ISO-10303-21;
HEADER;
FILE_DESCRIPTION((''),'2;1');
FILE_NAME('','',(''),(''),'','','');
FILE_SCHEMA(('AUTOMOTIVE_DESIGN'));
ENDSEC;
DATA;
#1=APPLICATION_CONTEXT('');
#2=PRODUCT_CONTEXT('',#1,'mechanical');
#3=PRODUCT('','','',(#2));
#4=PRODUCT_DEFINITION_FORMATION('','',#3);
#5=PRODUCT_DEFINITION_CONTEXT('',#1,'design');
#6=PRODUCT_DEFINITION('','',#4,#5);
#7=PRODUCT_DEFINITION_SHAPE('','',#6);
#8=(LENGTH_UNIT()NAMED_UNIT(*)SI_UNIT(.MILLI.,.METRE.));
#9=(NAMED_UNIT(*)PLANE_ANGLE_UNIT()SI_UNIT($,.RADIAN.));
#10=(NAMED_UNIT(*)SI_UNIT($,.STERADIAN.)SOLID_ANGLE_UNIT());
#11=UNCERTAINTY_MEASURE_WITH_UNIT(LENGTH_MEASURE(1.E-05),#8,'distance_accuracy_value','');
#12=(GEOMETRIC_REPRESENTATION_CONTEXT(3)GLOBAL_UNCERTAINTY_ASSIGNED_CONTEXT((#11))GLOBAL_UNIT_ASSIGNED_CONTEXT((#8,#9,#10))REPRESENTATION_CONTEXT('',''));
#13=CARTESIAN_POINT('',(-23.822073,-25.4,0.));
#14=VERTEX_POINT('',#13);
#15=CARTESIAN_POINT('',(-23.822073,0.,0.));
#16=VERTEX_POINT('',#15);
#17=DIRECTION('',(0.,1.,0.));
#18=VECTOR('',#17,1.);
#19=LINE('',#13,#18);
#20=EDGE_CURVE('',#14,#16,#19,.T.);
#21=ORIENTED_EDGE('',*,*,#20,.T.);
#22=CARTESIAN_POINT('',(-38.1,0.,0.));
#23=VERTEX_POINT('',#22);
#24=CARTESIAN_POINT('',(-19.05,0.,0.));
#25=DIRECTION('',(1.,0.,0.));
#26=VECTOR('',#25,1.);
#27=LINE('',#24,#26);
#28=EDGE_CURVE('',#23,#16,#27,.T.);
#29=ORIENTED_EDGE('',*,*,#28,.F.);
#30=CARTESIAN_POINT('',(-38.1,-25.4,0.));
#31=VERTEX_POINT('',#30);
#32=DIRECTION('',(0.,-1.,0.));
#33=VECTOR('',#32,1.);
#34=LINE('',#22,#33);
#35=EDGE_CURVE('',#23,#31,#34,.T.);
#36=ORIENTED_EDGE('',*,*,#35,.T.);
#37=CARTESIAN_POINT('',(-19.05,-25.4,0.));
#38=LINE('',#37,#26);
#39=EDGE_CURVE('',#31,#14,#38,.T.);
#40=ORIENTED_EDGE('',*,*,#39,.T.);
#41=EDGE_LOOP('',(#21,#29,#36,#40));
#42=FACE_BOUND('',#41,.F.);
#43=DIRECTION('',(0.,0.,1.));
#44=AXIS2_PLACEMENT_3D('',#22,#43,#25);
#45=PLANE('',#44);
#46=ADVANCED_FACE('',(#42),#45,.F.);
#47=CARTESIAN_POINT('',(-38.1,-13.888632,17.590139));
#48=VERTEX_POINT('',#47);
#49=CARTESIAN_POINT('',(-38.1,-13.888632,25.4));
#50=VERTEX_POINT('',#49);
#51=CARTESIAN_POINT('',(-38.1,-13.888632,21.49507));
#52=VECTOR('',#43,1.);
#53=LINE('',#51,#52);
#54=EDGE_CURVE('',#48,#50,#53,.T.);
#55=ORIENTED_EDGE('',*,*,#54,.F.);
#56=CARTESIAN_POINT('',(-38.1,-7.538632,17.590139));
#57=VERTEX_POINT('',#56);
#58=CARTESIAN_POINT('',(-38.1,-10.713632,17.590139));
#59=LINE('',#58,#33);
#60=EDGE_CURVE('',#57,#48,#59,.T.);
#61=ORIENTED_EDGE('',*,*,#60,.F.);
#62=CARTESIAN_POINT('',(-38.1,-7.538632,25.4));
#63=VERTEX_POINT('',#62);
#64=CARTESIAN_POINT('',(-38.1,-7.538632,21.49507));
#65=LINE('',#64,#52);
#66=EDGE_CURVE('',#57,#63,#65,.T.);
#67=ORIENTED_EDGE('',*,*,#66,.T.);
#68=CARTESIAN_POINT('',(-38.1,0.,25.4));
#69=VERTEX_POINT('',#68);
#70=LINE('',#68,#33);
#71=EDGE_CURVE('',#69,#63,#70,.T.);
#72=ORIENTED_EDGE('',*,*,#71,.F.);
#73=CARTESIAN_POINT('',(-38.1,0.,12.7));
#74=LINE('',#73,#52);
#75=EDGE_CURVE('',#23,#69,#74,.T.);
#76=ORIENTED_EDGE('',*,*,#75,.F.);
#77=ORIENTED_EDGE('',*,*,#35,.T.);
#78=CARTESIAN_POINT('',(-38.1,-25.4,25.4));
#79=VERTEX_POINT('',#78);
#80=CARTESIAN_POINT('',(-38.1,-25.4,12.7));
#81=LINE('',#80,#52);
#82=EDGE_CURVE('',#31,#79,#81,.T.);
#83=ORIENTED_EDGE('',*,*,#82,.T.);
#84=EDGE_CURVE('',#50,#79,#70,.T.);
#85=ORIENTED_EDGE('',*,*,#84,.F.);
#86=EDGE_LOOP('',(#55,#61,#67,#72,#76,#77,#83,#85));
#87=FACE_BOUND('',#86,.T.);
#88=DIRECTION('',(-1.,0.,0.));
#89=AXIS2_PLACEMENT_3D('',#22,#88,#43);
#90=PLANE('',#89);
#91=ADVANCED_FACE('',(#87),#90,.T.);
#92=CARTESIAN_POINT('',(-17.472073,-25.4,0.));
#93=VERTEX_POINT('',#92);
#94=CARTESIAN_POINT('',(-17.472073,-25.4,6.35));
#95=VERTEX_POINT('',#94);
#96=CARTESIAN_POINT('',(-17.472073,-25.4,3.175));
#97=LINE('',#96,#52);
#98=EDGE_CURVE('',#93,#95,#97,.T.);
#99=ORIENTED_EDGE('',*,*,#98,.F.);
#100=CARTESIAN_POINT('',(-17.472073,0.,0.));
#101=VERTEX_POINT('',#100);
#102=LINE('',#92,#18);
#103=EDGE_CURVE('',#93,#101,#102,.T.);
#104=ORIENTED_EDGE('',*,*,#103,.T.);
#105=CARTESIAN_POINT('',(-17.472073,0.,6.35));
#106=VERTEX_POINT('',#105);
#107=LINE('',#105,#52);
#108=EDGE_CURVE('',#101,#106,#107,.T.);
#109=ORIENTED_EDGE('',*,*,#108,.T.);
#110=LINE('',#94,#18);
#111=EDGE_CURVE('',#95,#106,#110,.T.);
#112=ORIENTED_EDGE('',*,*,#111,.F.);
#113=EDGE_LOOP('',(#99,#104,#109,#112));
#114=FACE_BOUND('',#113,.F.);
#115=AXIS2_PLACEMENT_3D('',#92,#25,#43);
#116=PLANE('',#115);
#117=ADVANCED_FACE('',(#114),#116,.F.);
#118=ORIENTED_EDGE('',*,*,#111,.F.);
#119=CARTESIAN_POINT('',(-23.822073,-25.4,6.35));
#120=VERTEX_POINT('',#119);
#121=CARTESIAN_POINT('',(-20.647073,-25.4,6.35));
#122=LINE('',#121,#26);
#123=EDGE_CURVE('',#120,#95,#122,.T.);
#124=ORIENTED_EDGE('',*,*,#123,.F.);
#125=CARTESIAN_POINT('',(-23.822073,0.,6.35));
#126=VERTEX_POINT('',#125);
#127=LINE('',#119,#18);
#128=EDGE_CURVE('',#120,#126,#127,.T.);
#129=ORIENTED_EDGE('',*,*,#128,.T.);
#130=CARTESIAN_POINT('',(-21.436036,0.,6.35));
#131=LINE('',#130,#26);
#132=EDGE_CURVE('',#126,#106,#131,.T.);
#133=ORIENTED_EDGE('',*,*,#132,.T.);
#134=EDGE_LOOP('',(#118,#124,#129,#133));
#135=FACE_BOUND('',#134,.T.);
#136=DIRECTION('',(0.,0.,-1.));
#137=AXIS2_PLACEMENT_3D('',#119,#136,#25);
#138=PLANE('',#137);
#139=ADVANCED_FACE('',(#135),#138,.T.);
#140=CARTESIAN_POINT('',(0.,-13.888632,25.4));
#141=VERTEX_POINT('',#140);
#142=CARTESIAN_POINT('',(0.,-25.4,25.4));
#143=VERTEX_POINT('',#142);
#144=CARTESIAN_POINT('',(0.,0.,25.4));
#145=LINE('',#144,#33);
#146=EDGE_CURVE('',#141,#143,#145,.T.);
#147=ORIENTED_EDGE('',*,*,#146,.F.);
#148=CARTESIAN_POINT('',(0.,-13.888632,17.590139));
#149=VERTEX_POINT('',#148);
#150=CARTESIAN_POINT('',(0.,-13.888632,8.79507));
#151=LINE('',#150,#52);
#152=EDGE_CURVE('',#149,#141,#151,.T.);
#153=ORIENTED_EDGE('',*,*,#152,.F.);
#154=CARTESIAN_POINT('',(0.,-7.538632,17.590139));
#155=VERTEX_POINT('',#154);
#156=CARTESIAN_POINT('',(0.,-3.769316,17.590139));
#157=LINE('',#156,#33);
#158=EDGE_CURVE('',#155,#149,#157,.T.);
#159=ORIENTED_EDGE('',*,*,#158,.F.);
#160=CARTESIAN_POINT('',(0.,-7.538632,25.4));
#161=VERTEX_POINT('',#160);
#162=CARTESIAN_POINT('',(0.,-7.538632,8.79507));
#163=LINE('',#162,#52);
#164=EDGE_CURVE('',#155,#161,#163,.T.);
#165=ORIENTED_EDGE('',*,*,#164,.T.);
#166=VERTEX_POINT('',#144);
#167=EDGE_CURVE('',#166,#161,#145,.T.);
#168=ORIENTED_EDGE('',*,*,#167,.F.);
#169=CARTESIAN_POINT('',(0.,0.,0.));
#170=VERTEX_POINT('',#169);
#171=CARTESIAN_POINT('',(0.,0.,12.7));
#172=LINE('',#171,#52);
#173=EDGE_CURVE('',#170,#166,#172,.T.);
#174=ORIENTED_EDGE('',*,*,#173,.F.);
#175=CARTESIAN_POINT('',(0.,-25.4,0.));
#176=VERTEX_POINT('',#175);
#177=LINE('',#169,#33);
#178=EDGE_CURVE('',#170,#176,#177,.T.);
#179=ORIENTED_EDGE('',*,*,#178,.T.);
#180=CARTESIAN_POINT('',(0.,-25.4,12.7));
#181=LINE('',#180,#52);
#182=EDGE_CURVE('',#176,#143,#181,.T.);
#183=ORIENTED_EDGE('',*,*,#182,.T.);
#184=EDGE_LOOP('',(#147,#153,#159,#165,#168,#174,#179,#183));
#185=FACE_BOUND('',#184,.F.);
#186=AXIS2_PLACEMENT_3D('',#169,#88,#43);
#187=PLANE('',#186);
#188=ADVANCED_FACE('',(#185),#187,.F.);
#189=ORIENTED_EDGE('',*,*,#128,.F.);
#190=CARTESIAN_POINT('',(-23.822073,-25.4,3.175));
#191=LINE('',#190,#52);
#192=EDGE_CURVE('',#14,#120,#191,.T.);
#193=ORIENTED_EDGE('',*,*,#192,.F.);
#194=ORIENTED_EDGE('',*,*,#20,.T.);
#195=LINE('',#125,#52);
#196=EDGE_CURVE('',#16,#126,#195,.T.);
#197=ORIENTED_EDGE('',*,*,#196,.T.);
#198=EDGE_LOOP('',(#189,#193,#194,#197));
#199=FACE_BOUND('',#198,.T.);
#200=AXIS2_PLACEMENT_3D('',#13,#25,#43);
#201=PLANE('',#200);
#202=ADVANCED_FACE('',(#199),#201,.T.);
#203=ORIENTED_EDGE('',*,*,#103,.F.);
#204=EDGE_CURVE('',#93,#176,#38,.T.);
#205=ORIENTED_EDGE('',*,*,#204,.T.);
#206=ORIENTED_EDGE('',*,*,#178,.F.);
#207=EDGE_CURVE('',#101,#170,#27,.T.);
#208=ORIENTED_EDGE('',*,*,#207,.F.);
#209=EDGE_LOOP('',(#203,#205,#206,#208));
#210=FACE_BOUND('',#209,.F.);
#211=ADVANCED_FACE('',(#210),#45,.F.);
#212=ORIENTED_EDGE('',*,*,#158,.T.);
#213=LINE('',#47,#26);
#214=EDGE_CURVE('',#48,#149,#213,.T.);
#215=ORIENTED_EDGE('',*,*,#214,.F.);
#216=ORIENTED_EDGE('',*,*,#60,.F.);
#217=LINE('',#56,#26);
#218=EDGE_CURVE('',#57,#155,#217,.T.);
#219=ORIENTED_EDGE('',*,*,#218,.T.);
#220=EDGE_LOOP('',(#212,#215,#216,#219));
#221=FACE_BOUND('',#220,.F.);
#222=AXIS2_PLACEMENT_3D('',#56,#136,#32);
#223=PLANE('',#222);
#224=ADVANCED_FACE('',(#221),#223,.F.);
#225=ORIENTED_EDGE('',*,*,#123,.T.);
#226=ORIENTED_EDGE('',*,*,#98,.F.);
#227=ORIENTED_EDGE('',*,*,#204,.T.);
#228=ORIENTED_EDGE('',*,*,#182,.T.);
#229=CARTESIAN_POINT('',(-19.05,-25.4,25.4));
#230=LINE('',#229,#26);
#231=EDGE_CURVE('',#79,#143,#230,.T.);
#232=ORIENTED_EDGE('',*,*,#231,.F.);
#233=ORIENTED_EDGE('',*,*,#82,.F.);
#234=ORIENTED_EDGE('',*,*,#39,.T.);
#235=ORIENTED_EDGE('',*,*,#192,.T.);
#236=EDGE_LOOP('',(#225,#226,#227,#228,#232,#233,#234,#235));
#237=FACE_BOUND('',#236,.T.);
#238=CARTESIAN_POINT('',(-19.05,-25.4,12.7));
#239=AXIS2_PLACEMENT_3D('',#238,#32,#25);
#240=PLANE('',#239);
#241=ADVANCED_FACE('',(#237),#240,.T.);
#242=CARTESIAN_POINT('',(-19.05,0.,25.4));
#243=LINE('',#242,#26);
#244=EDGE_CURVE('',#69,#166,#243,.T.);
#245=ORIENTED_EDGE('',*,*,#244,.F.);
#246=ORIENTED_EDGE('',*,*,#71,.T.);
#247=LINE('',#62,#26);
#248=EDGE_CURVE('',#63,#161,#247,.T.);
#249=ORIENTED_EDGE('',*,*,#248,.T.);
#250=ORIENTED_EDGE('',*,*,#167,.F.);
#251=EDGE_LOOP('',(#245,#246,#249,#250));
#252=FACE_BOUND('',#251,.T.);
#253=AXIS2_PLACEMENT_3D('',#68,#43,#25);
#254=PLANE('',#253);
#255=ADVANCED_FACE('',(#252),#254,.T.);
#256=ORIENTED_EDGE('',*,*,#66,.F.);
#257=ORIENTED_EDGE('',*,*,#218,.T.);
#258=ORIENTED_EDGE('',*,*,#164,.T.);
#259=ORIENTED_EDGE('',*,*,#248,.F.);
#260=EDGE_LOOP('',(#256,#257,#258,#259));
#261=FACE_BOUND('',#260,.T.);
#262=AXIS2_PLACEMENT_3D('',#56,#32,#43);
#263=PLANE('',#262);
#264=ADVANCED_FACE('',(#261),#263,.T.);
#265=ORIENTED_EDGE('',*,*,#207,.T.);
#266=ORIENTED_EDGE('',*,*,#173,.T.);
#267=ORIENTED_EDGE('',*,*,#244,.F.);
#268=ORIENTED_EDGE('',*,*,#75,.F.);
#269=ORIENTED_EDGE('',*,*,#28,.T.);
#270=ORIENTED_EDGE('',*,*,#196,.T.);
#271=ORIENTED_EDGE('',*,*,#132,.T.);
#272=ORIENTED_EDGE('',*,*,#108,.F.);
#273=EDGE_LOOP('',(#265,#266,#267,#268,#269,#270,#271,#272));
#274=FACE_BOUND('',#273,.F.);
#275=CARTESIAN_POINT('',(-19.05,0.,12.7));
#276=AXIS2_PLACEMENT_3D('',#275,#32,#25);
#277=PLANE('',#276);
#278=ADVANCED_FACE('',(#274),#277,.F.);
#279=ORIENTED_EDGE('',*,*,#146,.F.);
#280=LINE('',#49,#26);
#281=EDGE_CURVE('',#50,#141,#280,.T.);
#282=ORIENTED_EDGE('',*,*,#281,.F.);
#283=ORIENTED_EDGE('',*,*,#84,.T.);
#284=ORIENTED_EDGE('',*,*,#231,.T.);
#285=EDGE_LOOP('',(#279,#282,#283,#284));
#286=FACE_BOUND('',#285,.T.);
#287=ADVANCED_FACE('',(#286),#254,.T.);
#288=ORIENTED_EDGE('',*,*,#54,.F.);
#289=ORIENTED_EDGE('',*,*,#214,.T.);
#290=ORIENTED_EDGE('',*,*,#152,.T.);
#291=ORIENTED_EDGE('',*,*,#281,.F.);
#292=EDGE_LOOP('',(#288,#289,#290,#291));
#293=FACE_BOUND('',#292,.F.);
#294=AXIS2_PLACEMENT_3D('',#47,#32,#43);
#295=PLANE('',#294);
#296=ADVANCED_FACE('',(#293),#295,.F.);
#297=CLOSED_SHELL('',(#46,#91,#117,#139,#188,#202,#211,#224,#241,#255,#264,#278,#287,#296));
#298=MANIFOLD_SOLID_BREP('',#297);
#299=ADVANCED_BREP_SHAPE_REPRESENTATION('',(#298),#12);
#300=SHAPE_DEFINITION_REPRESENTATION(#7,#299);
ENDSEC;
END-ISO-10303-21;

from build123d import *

# Parameters (mm, degrees)
F0_W     = 38.1
F0_H     = 25.4
F1_DEPTH = 25.4
F3_W     = 6.35
F3_H     = 7.8098609388
F4_DEPTH = 38.101
F5_W     = 6.35
F5_H     = 6.35
F6_DEPTH = 25.401


with BuildPart() as f1:
    # F0 (on Front) → F1 (new body)
    with BuildSketch(Plane.XZ):
        with Locations((-19.05, 12.7)):
            Rectangle(F0_W, F0_H)
    extrude(amount=F1_DEPTH)

    # F3 (on face) → F4 (cut, through all)
    with BuildSketch(Plane(origin=(-38.1, 0, 0), x_dir=(0, -1, 0), z_dir=(-1, 0, 0))):
        with Locations((10.7136315584, 21.4950695306)):
            Rectangle(F3_W, F3_H)
    extrude(amount=-F4_DEPTH, mode=Mode.SUBTRACT)

    # F5 (on face) → F6 (cut, through all)
    with BuildSketch(Plane.XZ.offset(25.4)):
        with Locations((-20.6470728934, 3.175)):
            Rectangle(F5_W, F5_H)
    extrude(amount=-F6_DEPTH, mode=Mode.SUBTRACT)


solid = f1.part
